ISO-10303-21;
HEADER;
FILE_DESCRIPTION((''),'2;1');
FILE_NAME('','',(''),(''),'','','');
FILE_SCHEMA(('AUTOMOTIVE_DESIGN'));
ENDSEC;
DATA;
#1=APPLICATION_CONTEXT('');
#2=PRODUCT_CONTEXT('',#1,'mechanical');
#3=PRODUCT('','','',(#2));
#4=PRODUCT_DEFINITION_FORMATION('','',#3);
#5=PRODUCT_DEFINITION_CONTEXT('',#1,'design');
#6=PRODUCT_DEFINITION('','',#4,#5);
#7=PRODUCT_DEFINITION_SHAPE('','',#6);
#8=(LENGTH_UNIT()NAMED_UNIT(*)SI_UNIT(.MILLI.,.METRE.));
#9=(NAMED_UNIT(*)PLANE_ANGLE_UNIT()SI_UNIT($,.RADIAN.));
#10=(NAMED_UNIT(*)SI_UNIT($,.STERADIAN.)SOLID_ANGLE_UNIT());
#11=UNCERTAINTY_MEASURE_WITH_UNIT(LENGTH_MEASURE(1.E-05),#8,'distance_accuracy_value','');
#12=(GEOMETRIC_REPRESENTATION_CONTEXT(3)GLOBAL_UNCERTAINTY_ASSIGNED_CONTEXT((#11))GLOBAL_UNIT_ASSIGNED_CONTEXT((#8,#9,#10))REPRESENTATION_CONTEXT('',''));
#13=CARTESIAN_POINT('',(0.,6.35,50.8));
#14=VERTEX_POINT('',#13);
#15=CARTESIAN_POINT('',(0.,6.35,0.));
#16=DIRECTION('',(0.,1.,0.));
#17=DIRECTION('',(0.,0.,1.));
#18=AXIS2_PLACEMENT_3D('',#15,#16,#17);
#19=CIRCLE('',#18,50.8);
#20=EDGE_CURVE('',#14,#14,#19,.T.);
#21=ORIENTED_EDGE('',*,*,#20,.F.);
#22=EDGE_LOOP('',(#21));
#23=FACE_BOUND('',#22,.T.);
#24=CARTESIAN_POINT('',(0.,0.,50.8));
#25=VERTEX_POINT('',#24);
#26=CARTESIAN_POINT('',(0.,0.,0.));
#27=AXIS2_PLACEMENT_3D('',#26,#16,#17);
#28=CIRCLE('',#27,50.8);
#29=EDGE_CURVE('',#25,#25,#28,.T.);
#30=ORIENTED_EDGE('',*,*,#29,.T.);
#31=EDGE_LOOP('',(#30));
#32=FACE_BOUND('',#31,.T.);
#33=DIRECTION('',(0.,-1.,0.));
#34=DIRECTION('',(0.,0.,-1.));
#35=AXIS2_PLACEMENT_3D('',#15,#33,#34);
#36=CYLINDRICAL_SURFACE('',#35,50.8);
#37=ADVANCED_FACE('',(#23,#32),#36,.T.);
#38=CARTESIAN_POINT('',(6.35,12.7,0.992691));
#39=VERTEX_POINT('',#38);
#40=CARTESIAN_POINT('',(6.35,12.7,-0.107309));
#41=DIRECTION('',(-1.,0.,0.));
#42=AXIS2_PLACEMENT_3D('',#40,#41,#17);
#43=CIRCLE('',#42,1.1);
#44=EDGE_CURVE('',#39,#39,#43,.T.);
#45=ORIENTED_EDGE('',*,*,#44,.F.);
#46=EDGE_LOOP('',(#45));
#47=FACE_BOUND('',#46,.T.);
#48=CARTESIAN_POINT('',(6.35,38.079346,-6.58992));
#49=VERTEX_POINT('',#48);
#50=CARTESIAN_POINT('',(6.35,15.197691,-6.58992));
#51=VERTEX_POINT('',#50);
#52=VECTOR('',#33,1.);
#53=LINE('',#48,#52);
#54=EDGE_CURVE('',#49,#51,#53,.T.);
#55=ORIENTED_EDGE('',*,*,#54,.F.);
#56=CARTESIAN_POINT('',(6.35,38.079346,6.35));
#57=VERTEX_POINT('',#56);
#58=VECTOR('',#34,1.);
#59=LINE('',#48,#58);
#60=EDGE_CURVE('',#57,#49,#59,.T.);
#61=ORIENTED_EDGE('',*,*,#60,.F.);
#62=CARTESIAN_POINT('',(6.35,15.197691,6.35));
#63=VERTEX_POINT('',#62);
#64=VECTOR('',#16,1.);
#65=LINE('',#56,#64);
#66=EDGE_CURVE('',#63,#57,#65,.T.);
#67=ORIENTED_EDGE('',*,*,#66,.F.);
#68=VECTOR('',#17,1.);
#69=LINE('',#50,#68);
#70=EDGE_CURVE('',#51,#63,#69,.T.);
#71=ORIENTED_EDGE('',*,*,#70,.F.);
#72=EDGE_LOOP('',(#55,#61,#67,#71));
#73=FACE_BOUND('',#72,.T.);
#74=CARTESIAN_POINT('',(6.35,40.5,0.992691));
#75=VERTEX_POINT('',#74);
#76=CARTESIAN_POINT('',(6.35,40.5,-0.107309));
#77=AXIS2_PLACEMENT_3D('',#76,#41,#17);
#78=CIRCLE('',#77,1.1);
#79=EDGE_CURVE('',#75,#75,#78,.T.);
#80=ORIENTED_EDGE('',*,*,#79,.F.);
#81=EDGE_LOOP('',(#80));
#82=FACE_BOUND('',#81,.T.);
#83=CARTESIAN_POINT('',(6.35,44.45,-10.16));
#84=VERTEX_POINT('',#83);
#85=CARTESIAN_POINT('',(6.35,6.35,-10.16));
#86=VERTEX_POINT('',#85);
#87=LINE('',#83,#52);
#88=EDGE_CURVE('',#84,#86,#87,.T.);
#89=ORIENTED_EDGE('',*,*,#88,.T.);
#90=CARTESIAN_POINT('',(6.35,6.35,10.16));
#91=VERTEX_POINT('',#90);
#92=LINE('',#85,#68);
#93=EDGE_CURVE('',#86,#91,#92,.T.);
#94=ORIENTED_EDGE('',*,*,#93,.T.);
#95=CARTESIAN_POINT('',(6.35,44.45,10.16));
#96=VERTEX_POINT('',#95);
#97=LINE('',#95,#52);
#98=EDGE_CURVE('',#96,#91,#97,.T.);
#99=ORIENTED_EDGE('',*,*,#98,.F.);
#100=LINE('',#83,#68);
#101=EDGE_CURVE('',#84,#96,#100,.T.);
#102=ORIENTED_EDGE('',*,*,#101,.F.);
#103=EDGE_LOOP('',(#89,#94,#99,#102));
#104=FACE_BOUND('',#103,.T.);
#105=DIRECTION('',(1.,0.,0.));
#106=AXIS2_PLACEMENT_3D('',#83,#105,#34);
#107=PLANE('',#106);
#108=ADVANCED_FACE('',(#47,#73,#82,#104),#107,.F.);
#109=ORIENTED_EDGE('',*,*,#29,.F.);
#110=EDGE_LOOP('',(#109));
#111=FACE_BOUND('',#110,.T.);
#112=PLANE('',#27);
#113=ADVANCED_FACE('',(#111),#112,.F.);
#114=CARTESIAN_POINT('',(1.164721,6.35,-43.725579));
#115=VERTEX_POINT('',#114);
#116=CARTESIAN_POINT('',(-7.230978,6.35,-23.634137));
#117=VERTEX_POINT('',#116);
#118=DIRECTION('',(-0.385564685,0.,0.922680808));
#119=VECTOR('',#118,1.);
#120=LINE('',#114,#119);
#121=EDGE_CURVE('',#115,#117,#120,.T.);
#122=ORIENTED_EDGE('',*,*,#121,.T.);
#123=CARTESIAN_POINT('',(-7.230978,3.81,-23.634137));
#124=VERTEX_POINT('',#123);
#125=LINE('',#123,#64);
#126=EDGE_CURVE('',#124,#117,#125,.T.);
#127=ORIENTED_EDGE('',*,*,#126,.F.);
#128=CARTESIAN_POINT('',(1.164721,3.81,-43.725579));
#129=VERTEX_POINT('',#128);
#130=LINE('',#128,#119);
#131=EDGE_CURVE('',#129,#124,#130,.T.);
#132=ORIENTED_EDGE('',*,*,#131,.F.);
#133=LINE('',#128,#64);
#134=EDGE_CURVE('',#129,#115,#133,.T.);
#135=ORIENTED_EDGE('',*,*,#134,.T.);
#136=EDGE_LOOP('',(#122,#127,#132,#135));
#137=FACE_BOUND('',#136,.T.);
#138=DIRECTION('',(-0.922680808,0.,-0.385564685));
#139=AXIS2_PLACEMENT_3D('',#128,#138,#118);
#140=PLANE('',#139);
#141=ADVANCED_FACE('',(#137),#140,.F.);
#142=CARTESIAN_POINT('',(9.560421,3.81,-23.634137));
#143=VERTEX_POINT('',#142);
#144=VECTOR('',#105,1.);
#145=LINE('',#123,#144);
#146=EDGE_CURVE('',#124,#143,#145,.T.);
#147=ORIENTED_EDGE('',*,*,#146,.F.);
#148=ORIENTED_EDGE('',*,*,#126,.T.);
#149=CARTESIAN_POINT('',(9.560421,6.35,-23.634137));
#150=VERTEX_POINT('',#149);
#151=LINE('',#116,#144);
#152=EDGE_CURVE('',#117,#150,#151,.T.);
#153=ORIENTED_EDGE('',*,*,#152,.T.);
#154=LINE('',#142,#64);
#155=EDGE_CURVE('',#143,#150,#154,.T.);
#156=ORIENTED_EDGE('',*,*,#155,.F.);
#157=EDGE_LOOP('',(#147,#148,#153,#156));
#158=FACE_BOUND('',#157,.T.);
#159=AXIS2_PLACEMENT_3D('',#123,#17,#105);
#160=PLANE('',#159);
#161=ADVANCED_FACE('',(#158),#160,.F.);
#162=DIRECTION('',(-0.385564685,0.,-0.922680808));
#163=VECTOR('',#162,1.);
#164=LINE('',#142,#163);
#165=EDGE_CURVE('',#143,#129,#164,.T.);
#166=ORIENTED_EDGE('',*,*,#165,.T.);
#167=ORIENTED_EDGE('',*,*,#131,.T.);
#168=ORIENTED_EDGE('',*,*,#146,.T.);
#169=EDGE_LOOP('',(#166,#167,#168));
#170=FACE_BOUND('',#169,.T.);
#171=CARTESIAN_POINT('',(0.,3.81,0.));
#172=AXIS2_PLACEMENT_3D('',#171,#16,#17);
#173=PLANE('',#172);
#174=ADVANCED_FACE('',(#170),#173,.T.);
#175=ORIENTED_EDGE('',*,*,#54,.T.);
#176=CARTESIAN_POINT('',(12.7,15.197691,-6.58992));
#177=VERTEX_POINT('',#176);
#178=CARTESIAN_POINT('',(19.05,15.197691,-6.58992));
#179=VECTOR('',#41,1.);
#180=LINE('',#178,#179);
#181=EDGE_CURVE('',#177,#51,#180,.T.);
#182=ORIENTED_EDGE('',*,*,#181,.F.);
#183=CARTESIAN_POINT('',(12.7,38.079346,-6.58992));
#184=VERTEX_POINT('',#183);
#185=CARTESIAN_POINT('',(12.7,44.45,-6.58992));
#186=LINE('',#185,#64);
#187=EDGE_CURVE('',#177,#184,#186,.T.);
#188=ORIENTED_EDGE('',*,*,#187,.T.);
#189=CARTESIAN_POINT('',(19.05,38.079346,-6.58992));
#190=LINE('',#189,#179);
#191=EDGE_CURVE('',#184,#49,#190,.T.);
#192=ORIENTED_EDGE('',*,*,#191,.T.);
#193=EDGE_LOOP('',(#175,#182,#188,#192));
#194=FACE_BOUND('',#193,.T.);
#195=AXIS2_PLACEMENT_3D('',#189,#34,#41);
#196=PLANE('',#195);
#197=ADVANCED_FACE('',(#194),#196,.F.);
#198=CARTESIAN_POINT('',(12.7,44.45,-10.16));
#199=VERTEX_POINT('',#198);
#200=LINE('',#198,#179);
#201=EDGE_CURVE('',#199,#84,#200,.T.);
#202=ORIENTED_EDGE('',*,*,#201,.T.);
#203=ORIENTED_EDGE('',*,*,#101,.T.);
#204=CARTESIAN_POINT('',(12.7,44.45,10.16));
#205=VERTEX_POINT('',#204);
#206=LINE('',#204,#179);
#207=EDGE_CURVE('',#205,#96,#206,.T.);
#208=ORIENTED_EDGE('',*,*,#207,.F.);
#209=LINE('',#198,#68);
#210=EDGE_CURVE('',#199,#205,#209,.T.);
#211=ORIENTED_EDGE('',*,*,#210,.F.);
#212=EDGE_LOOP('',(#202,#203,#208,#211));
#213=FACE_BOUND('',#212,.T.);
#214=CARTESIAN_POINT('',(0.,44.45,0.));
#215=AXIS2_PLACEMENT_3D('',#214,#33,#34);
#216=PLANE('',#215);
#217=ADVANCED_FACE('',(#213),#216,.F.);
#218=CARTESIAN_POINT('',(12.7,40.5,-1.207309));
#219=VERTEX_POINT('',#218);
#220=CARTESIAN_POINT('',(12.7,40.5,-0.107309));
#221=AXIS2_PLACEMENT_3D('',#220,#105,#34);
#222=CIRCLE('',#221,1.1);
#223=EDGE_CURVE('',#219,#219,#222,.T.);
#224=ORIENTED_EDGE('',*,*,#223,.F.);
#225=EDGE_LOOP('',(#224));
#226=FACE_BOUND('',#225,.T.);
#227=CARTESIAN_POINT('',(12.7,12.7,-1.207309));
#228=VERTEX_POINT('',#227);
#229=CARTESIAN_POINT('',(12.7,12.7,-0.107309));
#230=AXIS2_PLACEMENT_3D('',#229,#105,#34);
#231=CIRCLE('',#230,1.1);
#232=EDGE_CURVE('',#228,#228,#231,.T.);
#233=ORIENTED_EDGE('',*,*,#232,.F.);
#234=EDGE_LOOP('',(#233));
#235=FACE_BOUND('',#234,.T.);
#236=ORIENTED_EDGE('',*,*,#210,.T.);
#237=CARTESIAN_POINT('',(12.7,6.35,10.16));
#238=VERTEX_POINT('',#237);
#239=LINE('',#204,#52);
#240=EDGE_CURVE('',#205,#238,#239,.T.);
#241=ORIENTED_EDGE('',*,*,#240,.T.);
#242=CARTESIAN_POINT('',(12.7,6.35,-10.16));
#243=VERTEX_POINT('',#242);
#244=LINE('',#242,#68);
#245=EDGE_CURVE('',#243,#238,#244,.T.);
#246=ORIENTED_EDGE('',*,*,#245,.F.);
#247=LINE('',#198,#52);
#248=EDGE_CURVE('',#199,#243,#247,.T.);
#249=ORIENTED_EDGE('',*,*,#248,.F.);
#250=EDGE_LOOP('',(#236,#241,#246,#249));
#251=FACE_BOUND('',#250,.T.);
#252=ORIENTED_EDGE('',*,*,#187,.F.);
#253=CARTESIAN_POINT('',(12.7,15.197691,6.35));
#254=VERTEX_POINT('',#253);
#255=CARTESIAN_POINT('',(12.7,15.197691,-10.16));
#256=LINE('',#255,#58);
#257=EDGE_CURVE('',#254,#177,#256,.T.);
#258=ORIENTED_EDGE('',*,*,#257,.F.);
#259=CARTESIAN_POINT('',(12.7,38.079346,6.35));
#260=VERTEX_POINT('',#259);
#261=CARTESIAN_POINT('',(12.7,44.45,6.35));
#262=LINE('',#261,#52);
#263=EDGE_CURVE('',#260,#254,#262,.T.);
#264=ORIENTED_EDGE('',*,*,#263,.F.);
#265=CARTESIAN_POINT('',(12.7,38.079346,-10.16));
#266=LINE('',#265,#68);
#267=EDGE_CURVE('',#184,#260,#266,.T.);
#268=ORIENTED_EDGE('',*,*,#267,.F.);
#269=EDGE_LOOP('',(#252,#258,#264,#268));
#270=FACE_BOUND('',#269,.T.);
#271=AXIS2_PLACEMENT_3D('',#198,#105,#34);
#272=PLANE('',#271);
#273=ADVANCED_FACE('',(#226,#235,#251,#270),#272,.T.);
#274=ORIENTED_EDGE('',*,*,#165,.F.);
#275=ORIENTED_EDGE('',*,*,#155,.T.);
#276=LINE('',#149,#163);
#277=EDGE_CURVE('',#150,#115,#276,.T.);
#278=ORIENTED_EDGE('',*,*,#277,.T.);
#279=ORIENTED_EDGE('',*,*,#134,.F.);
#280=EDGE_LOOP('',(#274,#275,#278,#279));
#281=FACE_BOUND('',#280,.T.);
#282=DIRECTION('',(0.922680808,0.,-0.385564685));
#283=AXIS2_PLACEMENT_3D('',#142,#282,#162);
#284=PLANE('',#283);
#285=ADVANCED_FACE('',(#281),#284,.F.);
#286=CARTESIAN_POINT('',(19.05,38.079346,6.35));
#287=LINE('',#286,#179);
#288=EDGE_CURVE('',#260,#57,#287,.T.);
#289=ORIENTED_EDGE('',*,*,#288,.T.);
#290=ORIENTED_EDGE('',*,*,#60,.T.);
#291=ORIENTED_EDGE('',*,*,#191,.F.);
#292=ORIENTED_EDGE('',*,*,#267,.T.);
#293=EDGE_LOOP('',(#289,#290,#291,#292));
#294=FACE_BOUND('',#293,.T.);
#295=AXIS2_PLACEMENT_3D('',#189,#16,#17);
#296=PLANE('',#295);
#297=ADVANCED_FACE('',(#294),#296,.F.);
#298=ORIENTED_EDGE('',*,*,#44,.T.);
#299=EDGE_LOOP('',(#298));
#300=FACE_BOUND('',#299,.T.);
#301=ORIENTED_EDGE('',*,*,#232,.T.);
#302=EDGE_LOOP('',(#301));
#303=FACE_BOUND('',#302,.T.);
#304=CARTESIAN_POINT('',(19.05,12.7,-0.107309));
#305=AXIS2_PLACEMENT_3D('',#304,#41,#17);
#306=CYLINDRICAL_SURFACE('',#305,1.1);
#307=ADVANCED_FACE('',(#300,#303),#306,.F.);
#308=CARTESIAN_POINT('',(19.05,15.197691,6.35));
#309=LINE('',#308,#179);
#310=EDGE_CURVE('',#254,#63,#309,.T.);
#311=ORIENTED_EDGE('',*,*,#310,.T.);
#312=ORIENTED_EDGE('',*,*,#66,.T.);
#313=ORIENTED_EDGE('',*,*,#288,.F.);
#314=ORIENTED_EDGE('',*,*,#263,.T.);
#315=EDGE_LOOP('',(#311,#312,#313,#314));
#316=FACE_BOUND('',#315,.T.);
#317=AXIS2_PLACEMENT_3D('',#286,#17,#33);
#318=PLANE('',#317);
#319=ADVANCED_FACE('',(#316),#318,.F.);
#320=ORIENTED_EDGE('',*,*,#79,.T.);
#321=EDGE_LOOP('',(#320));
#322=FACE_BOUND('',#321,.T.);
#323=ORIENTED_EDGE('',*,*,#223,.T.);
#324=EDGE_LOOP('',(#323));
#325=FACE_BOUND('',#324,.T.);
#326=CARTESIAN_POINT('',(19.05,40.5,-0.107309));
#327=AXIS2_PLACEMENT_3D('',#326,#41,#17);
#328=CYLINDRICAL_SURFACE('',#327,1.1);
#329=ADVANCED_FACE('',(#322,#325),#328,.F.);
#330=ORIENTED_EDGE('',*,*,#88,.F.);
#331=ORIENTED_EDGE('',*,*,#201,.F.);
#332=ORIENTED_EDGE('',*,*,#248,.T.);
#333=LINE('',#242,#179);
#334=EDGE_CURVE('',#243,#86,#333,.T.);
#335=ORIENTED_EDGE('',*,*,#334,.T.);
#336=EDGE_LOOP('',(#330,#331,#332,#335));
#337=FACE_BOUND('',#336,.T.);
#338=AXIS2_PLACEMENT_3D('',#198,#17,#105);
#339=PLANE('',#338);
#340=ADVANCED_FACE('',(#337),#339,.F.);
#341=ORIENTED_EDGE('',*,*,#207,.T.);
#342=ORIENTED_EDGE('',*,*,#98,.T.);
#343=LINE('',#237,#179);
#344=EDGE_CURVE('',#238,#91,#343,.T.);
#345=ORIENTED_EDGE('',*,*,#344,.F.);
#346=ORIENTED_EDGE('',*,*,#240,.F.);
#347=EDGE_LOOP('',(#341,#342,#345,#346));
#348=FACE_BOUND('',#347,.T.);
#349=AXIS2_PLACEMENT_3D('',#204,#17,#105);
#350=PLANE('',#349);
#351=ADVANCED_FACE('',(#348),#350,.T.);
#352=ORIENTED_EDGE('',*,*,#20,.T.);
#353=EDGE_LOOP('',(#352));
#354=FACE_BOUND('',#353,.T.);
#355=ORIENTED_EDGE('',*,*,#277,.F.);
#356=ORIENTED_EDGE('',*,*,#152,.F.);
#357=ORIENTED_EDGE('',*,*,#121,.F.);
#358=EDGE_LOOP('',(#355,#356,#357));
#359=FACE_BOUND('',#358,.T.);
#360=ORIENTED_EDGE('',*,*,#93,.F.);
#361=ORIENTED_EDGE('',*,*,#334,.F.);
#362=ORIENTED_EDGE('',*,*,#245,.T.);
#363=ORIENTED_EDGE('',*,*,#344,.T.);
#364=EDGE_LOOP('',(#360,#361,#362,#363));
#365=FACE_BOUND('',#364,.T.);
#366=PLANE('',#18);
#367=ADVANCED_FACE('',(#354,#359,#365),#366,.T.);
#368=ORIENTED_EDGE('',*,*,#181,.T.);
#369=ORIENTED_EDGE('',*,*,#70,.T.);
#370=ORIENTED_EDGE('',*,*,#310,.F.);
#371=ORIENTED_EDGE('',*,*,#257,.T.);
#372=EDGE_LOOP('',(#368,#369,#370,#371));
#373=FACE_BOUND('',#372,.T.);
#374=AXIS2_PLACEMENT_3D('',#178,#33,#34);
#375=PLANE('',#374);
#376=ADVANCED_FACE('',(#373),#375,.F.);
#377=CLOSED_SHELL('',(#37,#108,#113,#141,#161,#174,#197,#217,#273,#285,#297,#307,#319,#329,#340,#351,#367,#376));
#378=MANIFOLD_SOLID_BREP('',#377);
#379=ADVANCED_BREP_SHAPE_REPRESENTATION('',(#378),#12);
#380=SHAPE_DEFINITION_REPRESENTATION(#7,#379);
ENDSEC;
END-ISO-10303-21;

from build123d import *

# Parameters (mm, degrees)
SKETCH1_R           = 50.8
BOSS_EXTRUDE1_DEPTH = 6.35
SKETCH2_W           = 6.35
SKETCH2_H           = 20.32
BOSS_EXTRUDE2_DEPTH = 38.1
SKETCH3_R           = 1.1
SKETCH3_W           = 12.939919869
SKETCH3_H           = 22.881654632
CUT_EXTRUDE1_DEPTH  = 12.7
CUT_EXTRUDE2_DEPTH  = 2.54


with BuildPart() as part:
    # Sketch1 → Boss-Extrude1 (new body)
    with BuildSketch(Plane(origin=(0, 0, 0), x_dir=(1, 0, 0), z_dir=(0, 1, 0))):
        Circle(SKETCH1_R)
    extrude(amount=BOSS_EXTRUDE1_DEPTH)

    # Sketch2 → Boss-Extrude2 (add)
    with BuildSketch(Plane(origin=(0, 6.35, 0), x_dir=(1, 0, 0), z_dir=(0, 1, 0))):
        with Locations((9.525, 0)):
            Rectangle(SKETCH2_W, SKETCH2_H)
    extrude(amount=BOSS_EXTRUDE2_DEPTH)

    # Sketch3 → Cut-Extrude1 (cut)
    with BuildSketch(Plane(origin=(6.35, 55.246794414, 64.642959957), x_dir=(0, 0, 1), z_dir=(-1, 0, 0))):
        with Locations((-64.750269074, -14.746794414)):
            Circle(SKETCH3_R)
        with Locations((-64.750269074, -42.546794414)):
            Circle(SKETCH3_R)
        with Locations((-64.762919892, -28.608275818)):
            Rectangle(SKETCH3_W, SKETCH3_H)
    extrude(amount=-CUT_EXTRUDE1_DEPTH, mode=Mode.SUBTRACT)

    # Sketch4 → Cut-Extrude2 (cut)
    with BuildSketch(Plane(origin=(0, 6.35, 0), x_dir=(1, 0, 0), z_dir=(0, 1, 0))):
        Polygon((-7.230978109, 23.634136505), (9.560420722, 23.634136505), (1.164721306, 43.725579037), align=None)
    extrude(amount=-CUT_EXTRUDE2_DEPTH, mode=Mode.SUBTRACT)


solid = part.part
